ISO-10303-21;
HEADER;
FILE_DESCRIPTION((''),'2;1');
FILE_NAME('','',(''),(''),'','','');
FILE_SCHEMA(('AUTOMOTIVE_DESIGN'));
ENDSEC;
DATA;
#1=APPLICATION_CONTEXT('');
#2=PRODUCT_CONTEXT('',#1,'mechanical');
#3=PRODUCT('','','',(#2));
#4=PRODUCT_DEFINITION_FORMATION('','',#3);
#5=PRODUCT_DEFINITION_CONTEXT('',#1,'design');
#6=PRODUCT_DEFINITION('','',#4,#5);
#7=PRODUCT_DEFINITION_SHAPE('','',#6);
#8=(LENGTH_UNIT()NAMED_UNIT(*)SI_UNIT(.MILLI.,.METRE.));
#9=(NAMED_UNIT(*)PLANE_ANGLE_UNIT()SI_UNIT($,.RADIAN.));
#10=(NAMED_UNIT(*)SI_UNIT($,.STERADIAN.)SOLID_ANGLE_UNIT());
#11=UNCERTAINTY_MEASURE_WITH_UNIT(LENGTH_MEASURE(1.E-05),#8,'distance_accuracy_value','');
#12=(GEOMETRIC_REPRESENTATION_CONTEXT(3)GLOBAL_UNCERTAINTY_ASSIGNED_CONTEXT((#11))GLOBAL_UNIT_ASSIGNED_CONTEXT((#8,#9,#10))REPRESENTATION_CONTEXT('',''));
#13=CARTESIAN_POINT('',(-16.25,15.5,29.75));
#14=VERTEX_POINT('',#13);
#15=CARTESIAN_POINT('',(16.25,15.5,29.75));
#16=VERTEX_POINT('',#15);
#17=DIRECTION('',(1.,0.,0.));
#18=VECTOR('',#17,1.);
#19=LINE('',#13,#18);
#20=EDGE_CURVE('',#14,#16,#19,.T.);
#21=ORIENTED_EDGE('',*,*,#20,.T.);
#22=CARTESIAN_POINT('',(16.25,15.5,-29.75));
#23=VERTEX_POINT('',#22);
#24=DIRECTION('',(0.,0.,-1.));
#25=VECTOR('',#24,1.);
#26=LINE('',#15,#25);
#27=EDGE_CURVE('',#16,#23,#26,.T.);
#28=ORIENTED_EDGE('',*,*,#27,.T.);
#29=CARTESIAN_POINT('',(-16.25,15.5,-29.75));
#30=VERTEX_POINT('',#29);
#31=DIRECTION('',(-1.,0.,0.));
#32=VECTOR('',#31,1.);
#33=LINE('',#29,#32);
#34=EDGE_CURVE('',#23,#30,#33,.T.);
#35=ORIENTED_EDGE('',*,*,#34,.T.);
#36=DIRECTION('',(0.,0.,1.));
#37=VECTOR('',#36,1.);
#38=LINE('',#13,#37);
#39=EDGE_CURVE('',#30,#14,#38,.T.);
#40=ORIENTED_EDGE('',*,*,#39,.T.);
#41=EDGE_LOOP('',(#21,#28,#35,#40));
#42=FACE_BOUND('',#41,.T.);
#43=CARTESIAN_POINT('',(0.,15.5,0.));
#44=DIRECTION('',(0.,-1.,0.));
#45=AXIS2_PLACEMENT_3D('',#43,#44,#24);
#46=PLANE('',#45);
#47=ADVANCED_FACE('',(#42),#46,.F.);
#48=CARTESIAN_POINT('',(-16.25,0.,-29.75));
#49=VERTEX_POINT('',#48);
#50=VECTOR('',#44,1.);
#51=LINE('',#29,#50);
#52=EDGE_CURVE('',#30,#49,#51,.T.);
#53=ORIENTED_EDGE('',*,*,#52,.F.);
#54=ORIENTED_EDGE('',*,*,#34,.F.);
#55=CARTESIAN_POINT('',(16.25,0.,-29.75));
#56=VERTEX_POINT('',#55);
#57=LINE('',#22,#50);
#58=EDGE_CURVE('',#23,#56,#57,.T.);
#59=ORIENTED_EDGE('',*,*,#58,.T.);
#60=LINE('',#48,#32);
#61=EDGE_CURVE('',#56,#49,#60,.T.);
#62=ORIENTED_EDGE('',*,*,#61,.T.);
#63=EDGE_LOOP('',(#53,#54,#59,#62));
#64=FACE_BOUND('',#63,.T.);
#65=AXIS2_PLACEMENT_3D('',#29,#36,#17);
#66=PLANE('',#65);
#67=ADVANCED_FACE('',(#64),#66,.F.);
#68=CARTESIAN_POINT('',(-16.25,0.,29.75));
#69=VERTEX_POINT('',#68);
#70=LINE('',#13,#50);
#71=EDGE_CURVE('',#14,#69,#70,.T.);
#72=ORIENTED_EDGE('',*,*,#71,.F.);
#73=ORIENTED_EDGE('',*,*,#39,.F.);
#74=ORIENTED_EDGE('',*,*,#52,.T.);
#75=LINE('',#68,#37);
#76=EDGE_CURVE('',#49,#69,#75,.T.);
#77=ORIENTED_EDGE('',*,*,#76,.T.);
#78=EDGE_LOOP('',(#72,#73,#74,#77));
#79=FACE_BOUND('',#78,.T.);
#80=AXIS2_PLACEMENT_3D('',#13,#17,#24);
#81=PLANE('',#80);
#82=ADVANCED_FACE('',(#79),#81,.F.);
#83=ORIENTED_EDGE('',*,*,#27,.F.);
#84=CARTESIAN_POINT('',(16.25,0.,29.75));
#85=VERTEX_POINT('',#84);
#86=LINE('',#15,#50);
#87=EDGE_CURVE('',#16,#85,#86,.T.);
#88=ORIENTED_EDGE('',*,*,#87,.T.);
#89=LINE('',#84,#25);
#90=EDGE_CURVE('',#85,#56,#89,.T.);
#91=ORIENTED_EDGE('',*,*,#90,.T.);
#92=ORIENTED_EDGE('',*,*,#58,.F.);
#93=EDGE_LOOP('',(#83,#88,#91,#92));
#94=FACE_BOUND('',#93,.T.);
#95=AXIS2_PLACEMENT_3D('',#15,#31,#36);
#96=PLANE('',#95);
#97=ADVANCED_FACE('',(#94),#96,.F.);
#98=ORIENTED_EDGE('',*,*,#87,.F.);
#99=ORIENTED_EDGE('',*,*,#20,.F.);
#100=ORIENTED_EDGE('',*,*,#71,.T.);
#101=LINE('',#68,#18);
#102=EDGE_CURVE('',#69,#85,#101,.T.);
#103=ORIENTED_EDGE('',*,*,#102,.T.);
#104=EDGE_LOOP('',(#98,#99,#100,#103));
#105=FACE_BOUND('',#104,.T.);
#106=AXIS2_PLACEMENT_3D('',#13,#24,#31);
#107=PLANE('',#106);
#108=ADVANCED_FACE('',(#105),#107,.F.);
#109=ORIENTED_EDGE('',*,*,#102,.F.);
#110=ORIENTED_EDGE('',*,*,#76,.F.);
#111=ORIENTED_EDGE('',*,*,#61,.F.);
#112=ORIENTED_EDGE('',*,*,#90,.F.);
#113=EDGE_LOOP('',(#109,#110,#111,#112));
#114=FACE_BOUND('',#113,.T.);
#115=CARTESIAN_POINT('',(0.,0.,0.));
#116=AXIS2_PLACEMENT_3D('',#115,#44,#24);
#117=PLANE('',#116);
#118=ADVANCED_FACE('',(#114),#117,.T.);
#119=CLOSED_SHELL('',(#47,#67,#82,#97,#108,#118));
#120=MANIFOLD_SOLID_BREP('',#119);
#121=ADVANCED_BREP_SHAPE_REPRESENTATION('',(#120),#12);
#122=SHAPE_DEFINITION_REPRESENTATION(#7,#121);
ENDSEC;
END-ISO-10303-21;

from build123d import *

# Parameters (mm, degrees)
SKETCH1_W           = 32.5
SKETCH1_H           = 59.5
BOSS_EXTRUDE1_DEPTH = 15.5


with BuildPart() as part:
    # Sketch1 → Boss-Extrude1 (new body)
    with BuildSketch(Plane(origin=(0, 0, 0), x_dir=(1, 0, 0), z_dir=(0, 1, 0))):
        Rectangle(SKETCH1_W, SKETCH1_H)
    extrude(amount=BOSS_EXTRUDE1_DEPTH)


solid = part.part
